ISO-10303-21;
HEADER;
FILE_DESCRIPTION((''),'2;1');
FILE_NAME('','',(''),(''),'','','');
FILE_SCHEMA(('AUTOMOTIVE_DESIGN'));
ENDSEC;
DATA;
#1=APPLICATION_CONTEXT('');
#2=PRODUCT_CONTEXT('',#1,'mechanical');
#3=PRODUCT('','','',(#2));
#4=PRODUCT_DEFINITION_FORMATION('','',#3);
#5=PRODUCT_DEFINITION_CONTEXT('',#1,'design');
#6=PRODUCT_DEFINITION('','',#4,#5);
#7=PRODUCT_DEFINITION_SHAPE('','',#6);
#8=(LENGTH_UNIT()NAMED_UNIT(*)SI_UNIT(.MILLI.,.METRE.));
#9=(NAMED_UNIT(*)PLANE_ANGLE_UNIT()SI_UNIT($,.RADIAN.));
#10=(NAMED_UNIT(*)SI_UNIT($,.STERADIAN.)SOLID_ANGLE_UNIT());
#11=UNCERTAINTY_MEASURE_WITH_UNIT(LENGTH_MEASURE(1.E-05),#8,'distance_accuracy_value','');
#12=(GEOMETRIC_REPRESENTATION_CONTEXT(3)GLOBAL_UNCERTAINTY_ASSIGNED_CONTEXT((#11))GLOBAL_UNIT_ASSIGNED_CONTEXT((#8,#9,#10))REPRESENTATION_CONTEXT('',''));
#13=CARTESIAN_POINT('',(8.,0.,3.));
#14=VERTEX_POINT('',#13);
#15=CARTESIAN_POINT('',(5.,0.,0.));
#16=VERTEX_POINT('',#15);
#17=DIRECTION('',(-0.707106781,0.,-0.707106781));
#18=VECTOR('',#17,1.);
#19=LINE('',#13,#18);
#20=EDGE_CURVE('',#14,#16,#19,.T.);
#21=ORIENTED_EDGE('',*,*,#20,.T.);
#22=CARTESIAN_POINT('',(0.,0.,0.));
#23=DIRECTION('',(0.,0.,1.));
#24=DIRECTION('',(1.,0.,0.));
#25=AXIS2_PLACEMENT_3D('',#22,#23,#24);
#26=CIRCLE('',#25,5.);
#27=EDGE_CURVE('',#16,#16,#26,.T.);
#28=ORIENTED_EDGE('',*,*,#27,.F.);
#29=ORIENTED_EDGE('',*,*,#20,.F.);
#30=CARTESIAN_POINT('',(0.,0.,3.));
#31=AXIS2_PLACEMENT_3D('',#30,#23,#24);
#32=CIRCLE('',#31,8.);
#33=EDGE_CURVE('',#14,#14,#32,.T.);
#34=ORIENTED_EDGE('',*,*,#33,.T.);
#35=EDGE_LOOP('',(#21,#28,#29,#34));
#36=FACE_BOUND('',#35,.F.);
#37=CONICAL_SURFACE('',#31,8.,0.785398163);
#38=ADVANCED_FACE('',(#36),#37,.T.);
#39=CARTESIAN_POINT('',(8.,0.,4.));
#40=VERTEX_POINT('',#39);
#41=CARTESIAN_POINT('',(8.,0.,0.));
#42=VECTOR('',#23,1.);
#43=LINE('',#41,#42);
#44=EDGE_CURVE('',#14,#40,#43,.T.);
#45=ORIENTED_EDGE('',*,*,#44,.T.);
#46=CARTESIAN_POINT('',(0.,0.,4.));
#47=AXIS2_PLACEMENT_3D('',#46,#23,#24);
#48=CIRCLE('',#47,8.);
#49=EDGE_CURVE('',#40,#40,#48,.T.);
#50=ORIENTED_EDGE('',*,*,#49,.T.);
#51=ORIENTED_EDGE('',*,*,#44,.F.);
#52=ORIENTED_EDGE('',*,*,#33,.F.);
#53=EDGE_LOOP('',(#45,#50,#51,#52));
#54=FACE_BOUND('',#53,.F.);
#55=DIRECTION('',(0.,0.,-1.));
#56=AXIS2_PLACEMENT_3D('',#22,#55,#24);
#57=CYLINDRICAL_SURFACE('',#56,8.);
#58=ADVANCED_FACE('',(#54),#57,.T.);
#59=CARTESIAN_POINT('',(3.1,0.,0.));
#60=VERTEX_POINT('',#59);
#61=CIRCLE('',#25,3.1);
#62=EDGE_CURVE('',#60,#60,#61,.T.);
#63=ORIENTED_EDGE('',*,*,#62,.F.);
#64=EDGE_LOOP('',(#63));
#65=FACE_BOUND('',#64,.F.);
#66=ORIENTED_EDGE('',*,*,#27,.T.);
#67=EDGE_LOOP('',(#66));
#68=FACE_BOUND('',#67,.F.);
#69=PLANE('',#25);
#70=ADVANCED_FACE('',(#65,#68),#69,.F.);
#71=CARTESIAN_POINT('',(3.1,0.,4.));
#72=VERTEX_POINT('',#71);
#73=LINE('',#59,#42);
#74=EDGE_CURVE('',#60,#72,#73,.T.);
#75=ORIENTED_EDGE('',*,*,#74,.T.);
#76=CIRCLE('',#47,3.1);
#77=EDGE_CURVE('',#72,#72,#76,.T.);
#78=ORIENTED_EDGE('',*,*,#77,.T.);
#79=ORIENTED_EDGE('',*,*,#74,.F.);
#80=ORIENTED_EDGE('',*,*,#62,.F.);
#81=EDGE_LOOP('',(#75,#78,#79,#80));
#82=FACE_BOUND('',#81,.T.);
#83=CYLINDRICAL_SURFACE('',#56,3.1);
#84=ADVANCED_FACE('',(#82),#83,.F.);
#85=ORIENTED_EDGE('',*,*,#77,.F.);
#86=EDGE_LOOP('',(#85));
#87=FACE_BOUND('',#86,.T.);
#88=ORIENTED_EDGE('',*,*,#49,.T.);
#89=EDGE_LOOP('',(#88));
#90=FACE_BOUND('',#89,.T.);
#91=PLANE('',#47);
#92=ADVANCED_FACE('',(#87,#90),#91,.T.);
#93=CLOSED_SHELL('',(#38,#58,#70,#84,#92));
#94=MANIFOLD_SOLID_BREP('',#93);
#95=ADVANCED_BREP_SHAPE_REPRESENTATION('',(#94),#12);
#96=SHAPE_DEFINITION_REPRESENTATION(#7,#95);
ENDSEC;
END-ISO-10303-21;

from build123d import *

# Parameters (mm, degrees)
F0_R     = 8
F0_R_2   = 3.1
F1_DEPTH = 4
F2_SIZE2 = 3
F2_SIZE  = 3


with BuildPart() as f1:
    # F0 (on Top) → F1 (new body)
    with BuildSketch(Plane.XY):
        Circle(F0_R)
        Circle(F0_R_2, mode=Mode.SUBTRACT)
    extrude(amount=F1_DEPTH)

    # F2
    f2_edges = [f1.edges().sort_by_distance(p)[0] for p in [
        (-8, 0, 0),
    ]]
    chamfer(f2_edges, length=F2_SIZE, length2=F2_SIZE2)


solid = f1.part
